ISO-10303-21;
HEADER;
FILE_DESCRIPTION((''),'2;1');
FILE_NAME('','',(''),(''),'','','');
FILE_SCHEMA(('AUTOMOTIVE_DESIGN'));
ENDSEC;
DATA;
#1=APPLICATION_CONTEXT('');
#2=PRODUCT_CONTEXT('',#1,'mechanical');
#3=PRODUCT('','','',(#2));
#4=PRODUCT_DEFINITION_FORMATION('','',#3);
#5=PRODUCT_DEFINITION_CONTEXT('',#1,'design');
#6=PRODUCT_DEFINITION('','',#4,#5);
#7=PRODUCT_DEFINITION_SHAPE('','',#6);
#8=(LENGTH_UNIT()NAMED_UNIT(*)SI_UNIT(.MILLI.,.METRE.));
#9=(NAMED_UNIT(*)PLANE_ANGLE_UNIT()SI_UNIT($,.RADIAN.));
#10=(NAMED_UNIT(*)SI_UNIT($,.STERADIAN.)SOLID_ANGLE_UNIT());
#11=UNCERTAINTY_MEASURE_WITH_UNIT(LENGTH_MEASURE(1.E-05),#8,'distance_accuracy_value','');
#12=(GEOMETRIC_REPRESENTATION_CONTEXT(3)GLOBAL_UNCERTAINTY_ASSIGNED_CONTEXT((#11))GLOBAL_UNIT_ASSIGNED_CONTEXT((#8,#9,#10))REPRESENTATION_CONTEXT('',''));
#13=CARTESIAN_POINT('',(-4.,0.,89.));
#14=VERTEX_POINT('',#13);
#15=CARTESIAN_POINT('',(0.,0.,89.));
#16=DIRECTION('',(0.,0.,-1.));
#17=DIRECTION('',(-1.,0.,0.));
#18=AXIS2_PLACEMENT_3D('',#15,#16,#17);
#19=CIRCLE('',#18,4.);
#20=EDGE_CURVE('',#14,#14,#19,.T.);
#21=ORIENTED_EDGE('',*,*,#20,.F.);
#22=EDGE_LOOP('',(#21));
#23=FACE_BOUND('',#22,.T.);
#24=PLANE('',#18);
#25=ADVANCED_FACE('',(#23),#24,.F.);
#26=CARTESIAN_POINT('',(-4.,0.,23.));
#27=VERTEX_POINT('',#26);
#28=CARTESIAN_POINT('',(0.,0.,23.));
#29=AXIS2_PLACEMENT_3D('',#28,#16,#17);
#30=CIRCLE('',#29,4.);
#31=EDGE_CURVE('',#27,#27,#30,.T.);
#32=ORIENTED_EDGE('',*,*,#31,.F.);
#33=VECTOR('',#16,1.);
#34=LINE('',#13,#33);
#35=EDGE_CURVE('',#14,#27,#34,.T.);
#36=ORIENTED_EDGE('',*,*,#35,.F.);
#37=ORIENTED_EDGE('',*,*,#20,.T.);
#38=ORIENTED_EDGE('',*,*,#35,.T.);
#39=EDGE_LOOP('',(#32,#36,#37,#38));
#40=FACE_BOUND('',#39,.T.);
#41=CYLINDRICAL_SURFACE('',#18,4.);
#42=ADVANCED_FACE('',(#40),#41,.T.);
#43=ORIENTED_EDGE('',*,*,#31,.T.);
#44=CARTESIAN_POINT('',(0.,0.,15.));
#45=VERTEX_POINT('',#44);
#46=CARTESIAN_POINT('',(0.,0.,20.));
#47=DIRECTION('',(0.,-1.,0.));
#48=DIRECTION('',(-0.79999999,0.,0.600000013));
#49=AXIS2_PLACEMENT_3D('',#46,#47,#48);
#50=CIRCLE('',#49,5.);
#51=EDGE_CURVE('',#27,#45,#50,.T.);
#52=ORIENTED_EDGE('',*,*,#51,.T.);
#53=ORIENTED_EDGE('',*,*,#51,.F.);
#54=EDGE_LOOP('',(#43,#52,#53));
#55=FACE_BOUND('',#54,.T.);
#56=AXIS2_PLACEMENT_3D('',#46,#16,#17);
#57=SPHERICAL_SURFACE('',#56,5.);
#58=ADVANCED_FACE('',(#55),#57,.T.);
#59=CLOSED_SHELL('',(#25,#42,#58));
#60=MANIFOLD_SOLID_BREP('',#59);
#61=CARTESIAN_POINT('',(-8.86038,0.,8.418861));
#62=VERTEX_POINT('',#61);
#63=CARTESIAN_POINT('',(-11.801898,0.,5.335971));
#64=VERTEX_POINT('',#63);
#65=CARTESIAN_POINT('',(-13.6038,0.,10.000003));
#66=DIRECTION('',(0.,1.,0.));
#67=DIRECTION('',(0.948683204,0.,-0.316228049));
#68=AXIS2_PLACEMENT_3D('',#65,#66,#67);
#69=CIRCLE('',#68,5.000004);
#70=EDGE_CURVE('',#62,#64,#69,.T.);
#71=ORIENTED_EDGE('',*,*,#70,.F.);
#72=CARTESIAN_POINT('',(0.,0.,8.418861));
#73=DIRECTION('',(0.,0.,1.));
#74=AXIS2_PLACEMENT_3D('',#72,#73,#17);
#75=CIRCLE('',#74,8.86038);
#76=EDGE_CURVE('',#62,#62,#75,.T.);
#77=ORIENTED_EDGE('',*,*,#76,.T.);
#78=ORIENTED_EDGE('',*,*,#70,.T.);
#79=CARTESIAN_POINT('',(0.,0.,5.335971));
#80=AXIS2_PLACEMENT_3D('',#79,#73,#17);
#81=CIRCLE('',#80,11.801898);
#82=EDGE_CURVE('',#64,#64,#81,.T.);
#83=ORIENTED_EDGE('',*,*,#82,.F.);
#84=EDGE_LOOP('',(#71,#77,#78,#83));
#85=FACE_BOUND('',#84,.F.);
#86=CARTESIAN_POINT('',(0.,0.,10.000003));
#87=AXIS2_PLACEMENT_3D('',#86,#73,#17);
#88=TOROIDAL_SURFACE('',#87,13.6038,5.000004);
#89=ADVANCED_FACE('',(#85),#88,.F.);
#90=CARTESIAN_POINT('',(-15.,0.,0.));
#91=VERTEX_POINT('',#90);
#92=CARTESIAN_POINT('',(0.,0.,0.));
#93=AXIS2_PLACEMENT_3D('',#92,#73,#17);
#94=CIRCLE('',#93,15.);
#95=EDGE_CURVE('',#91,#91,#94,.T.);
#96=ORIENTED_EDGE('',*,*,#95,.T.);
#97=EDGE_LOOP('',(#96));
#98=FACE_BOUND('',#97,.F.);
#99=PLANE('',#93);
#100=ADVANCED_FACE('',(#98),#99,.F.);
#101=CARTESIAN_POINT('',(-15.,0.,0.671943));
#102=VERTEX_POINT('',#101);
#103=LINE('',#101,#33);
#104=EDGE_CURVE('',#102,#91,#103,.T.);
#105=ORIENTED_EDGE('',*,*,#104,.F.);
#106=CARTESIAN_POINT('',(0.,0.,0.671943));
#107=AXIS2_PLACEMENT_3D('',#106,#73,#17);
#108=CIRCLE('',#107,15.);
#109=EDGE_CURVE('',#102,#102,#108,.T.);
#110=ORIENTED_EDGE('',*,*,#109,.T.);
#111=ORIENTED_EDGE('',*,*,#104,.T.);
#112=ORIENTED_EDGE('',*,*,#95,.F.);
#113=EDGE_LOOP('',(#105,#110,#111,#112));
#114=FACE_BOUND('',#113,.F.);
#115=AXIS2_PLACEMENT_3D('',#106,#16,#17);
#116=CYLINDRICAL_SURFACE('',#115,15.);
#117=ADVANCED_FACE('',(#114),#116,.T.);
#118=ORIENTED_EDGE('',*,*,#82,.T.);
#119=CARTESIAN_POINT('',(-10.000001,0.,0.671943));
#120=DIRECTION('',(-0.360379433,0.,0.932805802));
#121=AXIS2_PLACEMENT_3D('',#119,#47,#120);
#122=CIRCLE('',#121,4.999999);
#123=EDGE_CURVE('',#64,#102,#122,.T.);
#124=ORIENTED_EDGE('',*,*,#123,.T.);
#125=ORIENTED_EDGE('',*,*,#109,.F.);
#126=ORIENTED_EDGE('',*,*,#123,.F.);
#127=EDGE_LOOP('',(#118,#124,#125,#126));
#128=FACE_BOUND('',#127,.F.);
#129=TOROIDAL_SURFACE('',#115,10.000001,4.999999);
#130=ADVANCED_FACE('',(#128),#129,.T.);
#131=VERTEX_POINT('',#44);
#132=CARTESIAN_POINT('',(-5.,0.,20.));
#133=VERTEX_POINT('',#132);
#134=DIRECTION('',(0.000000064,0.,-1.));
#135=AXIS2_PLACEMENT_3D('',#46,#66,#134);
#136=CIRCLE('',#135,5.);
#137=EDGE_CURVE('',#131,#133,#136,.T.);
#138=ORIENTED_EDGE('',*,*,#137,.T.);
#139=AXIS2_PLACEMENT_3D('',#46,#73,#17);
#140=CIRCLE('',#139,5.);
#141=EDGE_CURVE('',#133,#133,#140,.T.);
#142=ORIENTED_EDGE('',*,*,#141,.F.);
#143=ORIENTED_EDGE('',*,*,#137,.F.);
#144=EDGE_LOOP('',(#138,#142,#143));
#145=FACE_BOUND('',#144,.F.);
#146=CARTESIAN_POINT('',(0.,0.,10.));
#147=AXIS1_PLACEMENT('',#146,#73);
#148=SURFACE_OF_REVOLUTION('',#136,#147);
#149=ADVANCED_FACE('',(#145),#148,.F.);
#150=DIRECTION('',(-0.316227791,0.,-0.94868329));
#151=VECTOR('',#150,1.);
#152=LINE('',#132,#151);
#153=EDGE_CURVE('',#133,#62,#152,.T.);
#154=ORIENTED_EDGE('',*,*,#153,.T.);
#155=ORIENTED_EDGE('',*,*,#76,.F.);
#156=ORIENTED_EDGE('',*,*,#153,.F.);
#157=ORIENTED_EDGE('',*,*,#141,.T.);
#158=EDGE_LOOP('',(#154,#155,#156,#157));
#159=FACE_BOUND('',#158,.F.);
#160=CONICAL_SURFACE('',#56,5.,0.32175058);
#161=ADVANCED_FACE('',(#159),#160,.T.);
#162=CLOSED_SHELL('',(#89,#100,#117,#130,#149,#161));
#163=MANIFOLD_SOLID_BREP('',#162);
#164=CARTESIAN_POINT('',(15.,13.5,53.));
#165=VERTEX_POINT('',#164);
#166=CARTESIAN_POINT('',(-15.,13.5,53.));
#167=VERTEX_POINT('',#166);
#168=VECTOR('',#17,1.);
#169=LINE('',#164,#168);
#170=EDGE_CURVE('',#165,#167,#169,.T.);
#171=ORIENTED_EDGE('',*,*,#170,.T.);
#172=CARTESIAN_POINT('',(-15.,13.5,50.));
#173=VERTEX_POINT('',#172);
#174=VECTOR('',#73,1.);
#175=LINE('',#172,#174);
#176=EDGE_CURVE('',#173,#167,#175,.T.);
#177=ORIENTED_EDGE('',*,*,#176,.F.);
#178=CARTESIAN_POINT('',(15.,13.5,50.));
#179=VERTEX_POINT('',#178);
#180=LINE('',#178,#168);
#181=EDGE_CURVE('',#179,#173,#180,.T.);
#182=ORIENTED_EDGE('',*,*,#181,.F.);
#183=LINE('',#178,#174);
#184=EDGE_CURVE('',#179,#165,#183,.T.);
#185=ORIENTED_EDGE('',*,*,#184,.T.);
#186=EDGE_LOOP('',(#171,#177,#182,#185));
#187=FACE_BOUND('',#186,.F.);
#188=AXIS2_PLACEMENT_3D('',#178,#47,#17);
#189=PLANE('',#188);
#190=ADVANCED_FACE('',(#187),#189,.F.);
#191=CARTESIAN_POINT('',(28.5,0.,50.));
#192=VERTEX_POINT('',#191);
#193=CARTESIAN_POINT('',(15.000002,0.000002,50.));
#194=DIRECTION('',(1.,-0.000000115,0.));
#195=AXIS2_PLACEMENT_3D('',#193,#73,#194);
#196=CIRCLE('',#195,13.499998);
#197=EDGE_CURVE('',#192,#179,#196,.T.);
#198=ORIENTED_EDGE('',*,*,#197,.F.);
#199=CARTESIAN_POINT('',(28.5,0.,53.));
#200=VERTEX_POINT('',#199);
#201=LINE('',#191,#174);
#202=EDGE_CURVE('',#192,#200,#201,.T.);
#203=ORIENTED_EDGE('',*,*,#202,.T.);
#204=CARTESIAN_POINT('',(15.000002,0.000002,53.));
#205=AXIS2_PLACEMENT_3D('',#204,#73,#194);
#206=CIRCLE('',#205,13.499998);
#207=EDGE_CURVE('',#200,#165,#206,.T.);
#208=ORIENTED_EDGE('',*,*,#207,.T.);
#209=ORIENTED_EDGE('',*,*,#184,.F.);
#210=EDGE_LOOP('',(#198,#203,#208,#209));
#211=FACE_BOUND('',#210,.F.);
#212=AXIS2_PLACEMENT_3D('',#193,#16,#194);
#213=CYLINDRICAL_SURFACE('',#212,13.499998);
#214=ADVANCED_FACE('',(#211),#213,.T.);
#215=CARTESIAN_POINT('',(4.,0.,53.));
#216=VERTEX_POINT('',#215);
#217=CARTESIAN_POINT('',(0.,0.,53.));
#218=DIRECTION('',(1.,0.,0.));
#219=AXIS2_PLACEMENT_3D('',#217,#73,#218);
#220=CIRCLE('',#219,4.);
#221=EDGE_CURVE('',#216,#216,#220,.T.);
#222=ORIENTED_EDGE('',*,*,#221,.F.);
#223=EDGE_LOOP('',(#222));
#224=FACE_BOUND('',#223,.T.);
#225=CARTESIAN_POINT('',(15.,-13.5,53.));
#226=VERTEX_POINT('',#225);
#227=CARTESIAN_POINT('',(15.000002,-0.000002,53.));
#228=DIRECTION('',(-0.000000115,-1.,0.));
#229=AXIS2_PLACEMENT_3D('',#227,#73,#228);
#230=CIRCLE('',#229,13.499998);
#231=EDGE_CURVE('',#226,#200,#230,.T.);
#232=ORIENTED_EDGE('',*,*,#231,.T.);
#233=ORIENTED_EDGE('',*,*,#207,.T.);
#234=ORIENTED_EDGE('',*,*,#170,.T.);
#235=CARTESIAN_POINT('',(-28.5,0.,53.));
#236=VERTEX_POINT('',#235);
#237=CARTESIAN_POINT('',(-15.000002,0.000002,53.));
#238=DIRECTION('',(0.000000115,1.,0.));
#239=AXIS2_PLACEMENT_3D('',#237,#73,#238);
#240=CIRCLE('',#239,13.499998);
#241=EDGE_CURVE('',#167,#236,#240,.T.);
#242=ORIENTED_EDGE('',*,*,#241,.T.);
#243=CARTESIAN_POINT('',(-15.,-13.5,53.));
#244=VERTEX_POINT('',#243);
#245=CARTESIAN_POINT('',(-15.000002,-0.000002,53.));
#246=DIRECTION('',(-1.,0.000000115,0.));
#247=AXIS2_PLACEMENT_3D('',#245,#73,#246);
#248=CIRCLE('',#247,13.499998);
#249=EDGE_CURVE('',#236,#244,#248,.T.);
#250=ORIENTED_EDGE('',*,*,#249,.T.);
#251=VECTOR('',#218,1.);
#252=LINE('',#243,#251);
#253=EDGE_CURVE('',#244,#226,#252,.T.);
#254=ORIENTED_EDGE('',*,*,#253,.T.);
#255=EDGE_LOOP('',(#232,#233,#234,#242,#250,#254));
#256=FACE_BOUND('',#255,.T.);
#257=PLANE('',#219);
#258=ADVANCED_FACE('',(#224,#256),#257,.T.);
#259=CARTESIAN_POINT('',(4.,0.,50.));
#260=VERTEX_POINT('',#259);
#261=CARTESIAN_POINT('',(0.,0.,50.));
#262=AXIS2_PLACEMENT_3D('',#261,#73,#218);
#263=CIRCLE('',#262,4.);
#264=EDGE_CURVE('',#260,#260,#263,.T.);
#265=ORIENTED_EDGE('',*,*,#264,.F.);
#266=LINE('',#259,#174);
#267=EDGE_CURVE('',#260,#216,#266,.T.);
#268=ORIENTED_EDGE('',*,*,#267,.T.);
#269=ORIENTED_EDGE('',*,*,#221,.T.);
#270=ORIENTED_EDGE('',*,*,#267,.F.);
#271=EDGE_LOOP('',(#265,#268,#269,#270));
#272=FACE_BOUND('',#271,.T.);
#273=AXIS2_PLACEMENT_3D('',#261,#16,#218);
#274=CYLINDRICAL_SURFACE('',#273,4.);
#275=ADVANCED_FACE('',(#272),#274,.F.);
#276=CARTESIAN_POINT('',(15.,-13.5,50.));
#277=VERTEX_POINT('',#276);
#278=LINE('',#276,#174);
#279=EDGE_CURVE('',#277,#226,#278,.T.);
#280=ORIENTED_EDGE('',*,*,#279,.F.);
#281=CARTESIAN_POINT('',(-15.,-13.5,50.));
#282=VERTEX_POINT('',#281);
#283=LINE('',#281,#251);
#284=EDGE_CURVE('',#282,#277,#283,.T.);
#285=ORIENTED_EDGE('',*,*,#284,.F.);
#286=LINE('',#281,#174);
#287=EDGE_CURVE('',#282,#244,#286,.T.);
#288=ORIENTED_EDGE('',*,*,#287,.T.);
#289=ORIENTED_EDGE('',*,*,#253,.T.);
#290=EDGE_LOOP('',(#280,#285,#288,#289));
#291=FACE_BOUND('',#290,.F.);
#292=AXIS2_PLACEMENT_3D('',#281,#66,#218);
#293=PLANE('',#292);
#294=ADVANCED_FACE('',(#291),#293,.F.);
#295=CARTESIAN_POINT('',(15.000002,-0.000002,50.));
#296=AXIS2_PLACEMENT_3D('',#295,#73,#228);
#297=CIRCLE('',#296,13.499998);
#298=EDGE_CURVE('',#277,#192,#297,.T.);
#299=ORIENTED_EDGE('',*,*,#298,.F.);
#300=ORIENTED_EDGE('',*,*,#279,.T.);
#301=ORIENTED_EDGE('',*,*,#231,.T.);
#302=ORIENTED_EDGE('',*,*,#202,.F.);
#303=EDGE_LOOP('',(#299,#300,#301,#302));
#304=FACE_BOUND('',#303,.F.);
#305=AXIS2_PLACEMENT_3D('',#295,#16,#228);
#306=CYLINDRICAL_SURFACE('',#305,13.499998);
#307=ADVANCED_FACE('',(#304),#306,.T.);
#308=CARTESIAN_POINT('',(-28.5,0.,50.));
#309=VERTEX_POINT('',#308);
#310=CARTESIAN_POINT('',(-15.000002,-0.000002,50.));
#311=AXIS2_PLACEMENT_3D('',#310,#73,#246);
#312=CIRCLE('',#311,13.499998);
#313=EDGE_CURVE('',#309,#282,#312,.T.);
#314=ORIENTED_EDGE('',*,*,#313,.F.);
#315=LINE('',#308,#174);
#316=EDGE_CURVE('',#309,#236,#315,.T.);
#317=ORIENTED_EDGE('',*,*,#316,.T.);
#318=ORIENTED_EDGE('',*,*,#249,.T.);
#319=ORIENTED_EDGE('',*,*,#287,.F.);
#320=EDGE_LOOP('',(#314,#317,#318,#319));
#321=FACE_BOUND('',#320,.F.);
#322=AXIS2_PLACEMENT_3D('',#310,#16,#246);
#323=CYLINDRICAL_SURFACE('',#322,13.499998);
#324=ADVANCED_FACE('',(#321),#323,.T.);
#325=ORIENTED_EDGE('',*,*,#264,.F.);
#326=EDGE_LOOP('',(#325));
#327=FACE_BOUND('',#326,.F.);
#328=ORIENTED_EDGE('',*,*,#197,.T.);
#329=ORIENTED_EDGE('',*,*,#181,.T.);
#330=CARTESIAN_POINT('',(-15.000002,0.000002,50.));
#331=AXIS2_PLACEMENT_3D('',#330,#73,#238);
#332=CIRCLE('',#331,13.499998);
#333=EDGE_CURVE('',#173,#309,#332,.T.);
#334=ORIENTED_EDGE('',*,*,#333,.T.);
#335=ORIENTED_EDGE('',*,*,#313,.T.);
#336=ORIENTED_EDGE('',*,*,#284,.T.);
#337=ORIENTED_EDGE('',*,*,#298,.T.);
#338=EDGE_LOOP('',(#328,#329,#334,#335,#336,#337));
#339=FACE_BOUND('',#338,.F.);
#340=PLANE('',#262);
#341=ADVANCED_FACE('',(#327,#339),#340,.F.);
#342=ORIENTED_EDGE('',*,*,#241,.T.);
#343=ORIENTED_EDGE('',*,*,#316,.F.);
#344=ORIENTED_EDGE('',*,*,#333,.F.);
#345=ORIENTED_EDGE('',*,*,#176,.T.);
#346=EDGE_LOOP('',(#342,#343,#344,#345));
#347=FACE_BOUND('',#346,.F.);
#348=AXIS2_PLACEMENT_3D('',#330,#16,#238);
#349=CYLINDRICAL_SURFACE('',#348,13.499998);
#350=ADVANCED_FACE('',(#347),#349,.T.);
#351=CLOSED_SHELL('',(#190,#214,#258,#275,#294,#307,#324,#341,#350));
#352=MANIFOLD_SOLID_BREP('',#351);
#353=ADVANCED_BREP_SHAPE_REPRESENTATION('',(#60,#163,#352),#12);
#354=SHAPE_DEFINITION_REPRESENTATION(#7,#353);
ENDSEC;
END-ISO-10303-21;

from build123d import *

# Parameters (mm, degrees)
F5_R     = 4
F6_DEPTH = 3


with BuildPart() as f1:
    # F0 (on Front) → F1 (revolve)
    with BuildSketch(Plane.XZ):
        with BuildLine():
            Line((-15, 0), (0, 0))
            Line((0, 0), (0, 15))
            ThreePointArc((0, 15), (-3.535534, 16.464466), (-5, 20))
            Line((-5, 20), (-8.86038, 8.418861))
            ThreePointArc((-8.86038, 8.418861), (-9.986292, 6.548383), (-11.801898, 5.335971))
            ThreePointArc((-11.801898, 5.335971), (-14.123681, 3.499531), (-15, 0.671943))
            Line((-15, 0.671943), (-15, 0))
        make_face()
    revolve(axis=Axis((0, 0, 10), (0, 0, 1)))


with BuildPart() as f3:
    # F2 (on Front) → F3 (revolve)
    with BuildSketch(Plane.XZ):
        with BuildLine():
            Line((-4, 89), (-4, 23))
            ThreePointArc((-4, 23), (-4.472136, 17.763932), (0, 15))
            Line((0, 15), (0, 25))
            Line((0, 25), (0, 89))
            Line((0, 89), (-4, 89))
        make_face()
    revolve(axis=Axis((0, 0, 20), (0, 0, -1)))


with BuildPart() as f6:
    # F5 (on offset) → F6 (new body)
    with BuildSketch(Plane.XY.offset(50)):
        with BuildLine():
            Line((15, 13.5), (-15, 13.5))
            ThreePointArc((-15, 13.5), (-24.545942, 9.545942), (-28.5, 0))
            ThreePointArc((-28.5, 0), (-24.545942, -9.545942), (-15, -13.5))
            Line((-15, -13.5), (15, -13.5))
            ThreePointArc((15, -13.5), (24.545942, -9.545942), (28.5, 0))
            ThreePointArc((28.5, 0), (24.545942, 9.545942), (15, 13.5))
        make_face()
        Circle(F5_R, mode=Mode.SUBTRACT)
    extrude(amount=F6_DEPTH)


solid = Compound([f1.part, f3.part, f6.part])
